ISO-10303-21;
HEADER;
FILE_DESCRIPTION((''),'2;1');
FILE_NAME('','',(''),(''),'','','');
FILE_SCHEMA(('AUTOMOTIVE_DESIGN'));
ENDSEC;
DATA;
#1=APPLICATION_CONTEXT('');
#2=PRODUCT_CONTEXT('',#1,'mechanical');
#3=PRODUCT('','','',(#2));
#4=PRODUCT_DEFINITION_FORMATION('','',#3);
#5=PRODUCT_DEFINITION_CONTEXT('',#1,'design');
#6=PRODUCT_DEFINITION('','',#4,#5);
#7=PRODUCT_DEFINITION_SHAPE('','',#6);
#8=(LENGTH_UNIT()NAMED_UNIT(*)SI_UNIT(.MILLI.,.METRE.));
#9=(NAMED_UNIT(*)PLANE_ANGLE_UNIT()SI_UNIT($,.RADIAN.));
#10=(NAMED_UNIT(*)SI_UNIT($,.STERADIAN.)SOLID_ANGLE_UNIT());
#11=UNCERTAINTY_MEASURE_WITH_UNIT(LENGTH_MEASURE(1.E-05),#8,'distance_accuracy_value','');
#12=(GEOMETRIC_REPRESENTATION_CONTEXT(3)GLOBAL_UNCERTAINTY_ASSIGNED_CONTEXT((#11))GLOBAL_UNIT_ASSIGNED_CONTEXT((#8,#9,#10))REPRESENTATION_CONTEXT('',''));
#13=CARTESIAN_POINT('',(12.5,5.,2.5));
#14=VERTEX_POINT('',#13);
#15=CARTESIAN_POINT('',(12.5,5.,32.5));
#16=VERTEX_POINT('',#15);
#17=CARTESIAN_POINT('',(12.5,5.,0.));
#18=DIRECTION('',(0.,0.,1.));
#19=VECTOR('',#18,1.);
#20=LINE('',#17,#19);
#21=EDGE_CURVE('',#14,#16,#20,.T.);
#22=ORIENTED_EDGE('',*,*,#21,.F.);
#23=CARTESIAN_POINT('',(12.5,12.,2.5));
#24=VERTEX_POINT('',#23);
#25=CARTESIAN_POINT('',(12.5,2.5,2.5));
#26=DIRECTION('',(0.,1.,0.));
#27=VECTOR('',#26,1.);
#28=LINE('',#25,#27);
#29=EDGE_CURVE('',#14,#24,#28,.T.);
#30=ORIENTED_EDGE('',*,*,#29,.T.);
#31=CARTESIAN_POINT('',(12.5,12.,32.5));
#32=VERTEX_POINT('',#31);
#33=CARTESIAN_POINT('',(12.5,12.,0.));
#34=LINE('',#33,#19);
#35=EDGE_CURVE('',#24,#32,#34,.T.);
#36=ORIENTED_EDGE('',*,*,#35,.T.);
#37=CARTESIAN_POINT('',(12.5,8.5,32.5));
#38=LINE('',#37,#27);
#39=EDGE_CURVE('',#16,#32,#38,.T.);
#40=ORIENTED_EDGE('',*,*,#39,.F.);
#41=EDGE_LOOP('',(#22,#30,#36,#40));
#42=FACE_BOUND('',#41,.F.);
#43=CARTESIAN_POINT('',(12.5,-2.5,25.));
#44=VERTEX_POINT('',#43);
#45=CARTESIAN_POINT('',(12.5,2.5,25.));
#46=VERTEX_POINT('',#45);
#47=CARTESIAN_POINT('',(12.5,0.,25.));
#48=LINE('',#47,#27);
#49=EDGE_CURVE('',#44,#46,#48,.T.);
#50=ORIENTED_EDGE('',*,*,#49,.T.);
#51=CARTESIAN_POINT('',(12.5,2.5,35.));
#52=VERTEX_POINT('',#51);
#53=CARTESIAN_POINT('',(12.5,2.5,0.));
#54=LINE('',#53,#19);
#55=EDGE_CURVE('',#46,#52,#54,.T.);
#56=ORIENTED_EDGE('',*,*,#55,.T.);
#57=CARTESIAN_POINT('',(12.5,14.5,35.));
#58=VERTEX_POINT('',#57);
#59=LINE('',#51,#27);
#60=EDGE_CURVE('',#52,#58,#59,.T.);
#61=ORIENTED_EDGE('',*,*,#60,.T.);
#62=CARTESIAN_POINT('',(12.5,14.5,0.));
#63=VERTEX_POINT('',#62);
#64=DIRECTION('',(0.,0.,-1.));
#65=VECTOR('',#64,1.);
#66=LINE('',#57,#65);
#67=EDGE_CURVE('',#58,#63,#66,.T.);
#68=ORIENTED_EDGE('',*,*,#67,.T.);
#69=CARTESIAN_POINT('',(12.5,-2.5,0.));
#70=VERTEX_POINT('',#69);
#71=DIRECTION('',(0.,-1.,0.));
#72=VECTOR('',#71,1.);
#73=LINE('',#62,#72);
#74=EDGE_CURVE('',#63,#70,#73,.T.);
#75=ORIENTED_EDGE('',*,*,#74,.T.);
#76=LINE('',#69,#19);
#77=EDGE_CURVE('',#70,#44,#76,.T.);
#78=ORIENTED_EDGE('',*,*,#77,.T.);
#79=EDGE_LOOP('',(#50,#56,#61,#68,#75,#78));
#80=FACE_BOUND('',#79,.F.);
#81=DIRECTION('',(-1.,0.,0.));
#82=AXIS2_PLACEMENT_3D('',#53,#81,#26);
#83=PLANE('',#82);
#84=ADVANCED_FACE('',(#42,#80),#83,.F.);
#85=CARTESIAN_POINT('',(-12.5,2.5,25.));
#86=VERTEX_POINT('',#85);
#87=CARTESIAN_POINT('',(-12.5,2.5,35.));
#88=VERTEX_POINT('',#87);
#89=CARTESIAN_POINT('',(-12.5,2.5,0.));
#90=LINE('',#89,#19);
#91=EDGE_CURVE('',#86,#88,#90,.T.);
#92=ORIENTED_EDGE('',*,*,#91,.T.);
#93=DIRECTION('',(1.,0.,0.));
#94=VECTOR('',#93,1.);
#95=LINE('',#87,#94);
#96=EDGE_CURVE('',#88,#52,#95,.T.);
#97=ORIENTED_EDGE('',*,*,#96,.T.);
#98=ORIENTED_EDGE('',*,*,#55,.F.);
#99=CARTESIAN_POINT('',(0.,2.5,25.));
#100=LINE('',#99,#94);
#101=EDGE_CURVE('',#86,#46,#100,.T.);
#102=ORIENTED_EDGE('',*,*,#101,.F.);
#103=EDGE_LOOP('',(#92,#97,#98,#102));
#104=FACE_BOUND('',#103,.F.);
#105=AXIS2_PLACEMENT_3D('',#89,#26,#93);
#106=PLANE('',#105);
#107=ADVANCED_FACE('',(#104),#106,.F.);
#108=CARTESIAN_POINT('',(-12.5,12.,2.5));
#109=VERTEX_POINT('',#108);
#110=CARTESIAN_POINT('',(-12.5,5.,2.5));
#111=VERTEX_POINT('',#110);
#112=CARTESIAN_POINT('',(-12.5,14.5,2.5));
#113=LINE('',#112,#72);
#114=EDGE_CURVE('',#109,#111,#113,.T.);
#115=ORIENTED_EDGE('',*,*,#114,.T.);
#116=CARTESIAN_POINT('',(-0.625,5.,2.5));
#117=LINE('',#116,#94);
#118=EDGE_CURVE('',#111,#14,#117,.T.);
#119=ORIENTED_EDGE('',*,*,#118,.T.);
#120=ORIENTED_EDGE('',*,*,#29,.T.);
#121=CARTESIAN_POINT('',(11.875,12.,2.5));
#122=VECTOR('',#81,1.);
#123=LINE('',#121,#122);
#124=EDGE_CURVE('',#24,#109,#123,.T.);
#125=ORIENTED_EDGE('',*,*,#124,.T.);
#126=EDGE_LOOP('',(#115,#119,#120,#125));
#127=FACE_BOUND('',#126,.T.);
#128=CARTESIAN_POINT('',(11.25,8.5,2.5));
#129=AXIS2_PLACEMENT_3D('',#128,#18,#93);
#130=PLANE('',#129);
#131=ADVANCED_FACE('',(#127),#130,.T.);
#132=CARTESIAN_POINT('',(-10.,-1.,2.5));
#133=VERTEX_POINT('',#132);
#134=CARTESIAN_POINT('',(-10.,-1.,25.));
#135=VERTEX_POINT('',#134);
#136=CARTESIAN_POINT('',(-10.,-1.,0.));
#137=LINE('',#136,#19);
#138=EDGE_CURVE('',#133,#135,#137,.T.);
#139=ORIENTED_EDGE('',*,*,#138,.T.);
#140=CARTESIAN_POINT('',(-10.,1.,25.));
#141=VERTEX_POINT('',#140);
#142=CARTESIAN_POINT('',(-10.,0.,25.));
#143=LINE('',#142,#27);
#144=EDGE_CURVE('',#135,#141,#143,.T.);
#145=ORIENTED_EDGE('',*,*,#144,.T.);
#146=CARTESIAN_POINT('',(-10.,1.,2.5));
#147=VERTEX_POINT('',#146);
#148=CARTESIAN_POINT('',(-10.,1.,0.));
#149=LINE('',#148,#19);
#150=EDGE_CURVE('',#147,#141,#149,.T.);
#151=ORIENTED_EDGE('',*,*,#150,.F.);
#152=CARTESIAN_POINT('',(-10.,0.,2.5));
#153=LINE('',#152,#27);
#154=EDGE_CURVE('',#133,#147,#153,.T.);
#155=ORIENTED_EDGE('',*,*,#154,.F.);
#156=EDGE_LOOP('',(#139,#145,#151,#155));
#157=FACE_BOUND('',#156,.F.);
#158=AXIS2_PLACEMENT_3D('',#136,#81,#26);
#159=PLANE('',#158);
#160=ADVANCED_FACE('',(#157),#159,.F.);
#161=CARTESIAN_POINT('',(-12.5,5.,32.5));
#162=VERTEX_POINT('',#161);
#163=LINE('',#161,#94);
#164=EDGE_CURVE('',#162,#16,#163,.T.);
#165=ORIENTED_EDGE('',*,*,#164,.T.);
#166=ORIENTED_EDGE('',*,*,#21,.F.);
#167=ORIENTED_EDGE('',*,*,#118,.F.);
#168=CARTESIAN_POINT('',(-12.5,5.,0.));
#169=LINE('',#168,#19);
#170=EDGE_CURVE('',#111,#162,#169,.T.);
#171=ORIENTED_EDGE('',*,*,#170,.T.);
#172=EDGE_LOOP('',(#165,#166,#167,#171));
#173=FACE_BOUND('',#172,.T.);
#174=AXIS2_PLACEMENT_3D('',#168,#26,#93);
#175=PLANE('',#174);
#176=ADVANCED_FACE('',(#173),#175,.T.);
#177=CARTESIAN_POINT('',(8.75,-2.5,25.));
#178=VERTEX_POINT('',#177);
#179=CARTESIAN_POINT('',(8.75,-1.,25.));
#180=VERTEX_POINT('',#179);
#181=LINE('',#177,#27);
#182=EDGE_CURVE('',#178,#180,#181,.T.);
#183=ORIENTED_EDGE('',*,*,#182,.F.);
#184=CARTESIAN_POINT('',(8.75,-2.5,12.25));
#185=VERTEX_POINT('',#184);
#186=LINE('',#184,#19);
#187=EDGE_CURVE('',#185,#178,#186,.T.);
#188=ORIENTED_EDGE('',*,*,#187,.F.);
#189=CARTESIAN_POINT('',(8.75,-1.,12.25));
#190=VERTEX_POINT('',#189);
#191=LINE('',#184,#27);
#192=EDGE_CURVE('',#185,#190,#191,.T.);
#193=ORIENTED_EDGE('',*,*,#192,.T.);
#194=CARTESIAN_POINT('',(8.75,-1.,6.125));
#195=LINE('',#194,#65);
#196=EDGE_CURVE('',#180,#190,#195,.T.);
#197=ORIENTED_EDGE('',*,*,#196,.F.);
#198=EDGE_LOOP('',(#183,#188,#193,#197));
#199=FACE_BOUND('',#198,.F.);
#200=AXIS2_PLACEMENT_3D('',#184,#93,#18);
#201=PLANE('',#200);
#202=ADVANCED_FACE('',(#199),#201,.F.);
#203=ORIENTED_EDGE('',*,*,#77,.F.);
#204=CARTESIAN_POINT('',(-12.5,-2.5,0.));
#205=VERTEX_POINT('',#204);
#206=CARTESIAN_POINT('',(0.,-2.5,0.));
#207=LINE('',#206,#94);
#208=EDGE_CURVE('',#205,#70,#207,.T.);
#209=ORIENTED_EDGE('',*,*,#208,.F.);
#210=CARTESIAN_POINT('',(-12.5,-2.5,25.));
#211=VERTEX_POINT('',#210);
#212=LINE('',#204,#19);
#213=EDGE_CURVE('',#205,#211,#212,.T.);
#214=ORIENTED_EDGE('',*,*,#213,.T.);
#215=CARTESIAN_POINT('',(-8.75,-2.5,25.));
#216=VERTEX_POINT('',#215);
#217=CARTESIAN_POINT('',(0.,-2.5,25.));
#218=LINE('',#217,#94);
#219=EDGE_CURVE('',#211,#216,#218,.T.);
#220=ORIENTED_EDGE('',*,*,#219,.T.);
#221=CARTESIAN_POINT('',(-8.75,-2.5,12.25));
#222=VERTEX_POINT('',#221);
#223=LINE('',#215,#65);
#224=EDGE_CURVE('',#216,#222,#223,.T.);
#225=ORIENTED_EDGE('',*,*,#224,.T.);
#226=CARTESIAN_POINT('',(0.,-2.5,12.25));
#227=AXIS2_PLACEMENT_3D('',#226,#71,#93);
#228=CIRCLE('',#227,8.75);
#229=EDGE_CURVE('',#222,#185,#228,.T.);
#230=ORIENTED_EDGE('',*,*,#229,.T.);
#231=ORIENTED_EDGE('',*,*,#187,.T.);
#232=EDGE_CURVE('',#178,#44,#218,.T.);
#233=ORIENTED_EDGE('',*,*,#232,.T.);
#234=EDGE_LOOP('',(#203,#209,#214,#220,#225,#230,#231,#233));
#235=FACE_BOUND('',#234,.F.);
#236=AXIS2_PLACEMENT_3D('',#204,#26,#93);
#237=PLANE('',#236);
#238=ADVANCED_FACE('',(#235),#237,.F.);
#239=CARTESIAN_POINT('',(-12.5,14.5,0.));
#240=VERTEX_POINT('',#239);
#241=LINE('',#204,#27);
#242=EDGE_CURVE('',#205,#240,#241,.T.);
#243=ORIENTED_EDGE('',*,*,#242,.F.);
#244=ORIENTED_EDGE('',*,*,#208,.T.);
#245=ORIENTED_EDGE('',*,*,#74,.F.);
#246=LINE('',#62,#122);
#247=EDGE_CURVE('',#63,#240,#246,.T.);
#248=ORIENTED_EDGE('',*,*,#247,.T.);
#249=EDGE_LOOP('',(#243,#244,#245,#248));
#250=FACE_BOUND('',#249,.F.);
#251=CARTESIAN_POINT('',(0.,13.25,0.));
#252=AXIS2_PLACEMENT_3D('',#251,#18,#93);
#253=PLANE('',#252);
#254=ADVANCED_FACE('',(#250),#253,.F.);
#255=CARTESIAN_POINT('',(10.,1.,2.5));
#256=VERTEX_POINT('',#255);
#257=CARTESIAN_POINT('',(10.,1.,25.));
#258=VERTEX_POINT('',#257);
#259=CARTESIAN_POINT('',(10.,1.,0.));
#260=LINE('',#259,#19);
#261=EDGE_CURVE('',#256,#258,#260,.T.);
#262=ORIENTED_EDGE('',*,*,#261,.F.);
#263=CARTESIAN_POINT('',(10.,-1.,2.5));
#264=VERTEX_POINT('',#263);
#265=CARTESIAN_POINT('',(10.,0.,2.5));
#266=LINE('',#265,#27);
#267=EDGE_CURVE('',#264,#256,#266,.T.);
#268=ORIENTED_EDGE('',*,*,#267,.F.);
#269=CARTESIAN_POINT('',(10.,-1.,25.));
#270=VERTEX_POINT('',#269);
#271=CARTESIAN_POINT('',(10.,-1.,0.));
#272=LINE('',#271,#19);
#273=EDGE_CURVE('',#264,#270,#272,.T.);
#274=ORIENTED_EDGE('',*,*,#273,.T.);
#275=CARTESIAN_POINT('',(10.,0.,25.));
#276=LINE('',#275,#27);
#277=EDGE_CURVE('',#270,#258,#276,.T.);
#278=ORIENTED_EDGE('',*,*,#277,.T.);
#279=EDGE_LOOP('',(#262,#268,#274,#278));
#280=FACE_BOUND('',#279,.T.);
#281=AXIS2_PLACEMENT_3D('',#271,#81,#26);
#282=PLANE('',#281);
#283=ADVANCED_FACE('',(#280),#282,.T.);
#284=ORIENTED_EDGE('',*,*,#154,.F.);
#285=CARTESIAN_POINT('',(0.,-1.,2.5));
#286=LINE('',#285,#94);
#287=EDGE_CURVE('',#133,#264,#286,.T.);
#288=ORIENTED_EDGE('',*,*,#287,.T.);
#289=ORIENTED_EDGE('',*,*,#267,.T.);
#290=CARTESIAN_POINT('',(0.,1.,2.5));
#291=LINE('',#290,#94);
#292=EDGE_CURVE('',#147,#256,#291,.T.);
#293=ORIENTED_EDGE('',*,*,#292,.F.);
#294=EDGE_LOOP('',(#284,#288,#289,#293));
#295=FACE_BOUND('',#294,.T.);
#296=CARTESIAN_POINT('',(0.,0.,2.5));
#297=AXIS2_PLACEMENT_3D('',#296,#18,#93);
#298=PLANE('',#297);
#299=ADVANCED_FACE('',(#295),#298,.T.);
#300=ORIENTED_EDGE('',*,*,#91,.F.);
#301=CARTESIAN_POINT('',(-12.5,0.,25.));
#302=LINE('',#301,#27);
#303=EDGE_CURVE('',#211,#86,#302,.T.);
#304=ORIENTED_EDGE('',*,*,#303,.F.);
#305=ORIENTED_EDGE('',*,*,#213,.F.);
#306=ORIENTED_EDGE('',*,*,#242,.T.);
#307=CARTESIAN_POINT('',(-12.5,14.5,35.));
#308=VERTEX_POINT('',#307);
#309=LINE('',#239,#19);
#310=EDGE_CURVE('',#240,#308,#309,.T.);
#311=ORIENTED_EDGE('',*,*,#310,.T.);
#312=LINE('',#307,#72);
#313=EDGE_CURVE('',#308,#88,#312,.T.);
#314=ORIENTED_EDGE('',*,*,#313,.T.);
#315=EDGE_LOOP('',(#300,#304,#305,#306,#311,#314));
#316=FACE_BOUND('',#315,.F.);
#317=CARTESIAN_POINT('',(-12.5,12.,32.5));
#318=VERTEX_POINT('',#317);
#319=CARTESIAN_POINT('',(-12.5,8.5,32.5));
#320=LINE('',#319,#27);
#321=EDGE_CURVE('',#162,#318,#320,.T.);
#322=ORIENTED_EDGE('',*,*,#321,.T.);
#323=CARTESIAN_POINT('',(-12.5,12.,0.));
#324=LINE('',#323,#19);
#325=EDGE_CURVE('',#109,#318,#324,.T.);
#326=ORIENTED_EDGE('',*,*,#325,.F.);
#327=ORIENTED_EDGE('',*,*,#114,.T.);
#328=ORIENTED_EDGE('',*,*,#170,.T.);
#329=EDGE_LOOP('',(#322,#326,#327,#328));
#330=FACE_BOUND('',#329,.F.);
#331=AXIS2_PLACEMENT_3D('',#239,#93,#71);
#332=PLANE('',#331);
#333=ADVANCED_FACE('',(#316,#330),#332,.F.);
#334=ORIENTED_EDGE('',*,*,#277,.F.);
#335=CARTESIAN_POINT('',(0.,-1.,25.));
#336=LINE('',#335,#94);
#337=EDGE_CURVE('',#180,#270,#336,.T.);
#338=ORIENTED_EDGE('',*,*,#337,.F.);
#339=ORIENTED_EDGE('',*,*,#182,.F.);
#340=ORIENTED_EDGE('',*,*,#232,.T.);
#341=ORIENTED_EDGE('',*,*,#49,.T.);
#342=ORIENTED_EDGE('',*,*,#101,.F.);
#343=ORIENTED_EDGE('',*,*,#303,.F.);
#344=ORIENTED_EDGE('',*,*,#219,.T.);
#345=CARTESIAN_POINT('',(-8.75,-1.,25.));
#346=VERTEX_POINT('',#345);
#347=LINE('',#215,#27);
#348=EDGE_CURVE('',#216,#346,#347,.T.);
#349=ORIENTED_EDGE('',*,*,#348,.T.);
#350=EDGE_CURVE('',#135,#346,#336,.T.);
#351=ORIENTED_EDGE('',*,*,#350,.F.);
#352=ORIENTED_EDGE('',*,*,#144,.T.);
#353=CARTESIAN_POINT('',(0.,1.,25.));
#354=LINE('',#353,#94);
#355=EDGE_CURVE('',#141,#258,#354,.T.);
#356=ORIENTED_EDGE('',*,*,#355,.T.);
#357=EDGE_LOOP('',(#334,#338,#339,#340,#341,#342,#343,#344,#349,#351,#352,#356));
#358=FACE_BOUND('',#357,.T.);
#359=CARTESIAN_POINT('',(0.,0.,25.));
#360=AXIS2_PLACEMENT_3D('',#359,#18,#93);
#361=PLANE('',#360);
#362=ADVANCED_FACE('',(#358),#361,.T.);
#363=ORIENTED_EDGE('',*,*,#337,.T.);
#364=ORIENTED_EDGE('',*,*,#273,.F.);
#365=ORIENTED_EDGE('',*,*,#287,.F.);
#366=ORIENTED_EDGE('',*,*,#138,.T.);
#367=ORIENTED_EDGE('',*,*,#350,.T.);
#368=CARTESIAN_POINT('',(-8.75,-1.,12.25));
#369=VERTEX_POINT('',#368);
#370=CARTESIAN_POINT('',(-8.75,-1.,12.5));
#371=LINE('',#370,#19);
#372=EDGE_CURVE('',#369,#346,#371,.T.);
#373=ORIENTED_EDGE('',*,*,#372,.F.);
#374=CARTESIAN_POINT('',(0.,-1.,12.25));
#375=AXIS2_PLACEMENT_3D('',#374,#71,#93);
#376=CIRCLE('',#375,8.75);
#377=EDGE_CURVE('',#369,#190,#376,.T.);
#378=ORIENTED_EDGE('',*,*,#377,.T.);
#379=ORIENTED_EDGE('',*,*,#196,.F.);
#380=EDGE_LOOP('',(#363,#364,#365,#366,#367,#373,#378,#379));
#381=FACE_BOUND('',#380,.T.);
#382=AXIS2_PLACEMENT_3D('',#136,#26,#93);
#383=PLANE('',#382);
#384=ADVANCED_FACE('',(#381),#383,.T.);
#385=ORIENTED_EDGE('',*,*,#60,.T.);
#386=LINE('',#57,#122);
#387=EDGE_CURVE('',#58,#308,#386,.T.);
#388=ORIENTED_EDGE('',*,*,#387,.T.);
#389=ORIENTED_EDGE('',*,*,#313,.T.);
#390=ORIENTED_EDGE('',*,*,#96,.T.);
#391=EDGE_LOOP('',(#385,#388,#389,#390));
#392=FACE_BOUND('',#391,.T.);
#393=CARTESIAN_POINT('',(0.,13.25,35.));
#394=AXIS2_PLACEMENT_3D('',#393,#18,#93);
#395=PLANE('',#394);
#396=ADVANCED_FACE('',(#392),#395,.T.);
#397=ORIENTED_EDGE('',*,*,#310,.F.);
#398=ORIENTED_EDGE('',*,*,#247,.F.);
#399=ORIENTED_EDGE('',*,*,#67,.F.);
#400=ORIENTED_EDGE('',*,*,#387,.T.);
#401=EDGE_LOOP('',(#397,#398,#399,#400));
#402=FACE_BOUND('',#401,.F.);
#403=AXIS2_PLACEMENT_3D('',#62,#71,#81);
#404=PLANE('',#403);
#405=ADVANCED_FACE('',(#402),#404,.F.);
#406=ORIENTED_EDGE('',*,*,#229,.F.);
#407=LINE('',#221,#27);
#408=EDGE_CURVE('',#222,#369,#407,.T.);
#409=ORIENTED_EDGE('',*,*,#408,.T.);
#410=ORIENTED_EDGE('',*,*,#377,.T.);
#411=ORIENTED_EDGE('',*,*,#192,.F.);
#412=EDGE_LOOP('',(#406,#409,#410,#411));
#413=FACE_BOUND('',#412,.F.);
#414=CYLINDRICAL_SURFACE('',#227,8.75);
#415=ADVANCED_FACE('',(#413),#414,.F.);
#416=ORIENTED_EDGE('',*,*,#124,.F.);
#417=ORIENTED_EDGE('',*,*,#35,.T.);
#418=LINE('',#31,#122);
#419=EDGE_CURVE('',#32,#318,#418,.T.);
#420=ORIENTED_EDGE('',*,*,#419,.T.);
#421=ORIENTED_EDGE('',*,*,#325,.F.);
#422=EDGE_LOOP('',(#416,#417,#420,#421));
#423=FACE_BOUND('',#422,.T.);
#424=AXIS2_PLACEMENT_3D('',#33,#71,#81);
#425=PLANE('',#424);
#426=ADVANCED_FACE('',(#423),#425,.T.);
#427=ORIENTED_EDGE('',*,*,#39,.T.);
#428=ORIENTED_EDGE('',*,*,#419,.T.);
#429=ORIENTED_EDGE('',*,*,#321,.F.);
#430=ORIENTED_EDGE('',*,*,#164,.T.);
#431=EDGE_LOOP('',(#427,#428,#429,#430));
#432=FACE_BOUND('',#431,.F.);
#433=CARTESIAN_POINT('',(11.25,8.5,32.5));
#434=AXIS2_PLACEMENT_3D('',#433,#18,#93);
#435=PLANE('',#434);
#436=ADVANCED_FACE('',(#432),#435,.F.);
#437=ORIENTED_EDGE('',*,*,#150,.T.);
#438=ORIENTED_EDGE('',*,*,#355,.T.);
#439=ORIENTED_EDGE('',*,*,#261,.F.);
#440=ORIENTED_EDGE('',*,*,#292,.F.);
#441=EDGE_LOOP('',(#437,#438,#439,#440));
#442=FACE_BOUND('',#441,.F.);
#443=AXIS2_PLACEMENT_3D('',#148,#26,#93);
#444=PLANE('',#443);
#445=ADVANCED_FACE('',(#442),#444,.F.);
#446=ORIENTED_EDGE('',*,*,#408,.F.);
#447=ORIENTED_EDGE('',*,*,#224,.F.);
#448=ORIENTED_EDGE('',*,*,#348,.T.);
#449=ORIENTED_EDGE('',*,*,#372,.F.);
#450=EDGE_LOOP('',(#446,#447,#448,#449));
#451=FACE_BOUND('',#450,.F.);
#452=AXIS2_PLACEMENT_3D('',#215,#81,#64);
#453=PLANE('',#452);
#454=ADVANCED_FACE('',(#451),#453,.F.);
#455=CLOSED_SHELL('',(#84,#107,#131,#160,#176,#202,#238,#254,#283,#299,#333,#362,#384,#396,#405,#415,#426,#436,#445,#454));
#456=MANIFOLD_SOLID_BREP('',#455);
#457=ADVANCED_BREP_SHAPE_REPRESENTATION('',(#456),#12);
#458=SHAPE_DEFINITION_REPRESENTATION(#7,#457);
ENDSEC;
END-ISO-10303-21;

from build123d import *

# Parameters (mm, degrees)
F0_W     = 20
F0_H     = 2
F1_DEPTH = 2.5
F0_W_2   = 25
F0_H_2   = 5
F2_DEPTH = 25
F4_DEPTH = 2.5
F0_W_3   = 2.5
F0_H_3   = 7
F5_DEPTH = 35
F6_DEPTH = 32.5
F7_DEPTH = 2.5


with BuildPart() as f1:
    # F0 (on Top) → F1 (new body)
    with BuildSketch(Plane.XY):
        Rectangle(F0_W, F0_H)
    extrude(amount=F1_DEPTH)

    # F0 (on Top) → F2 (join)
    with BuildSketch(Plane.XY):
        Rectangle(F0_W_2, F0_H_2)
        Rectangle(F0_W, F0_H, mode=Mode.SUBTRACT)
    extrude(amount=F2_DEPTH)

    # F3 (on face) → F4 (cut)
    with BuildSketch(Plane.XZ.offset(2.5)):
        with BuildLine():
            ThreePointArc((-8.75, 12.25), (0, 3.5), (8.75, 12.25))
            ThreePointArc((8.75, 12.25), (0, 21), (-8.75, 12.25))
        make_face()
        with BuildLine():
            ThreePointArc((-8.75, 12.25), (0, 21), (8.75, 12.25))
            Line((8.75, 12.25), (8.75, 25))
            Line((8.75, 25), (-8.75, 25))
            Line((-8.75, 25), (-8.75, 12.25))
        make_face()
    extrude(amount=-F4_DEPTH, mode=Mode.SUBTRACT)

    # F0 (on Top) → F5 (join)
    with BuildSketch(Plane.XY):
        Polygon((10, 12), (12.5, 12), (12.5, 14.5), (-12.5, 14.5), (-12.5, 12), (-10, 12), align=None)
        with Locations((-11.25, 8.5)):
            Rectangle(F0_W_3, F0_H_3)
        with Locations((0, 8.5)):
            Rectangle(F0_W, F0_H_3)
        Polygon((-12.5, 2.5), (12.5, 2.5), (12.5, 5), (10, 5), (-10, 5), (-12.5, 5), align=None)
        with Locations((11.25, 8.5)):
            Rectangle(F0_W_3, F0_H_3)
    extrude(amount=F5_DEPTH)

    # F0 (on Top) → F6 (cut)
    with BuildSketch(Plane.XY):
        with Locations((11.25, 8.5)):
            Rectangle(F0_W_3, F0_H_3)
        with Locations((0, 8.5)):
            Rectangle(F0_W, F0_H_3)
        with Locations((-11.25, 8.5)):
            Rectangle(F0_W_3, F0_H_3)
    extrude(amount=F6_DEPTH, mode=Mode.SUBTRACT)

    # F0 (on Top) → F7 (join)
    with BuildSketch(Plane.XY):
        with Locations((11.25, 8.5)):
            Rectangle(F0_W_3, F0_H_3)
        with Locations((0, 8.5)):
            Rectangle(F0_W, F0_H_3)
        with Locations((-11.25, 8.5)):
            Rectangle(F0_W_3, F0_H_3)
        Polygon((10, 12), (12.5, 12), (12.5, 14.5), (-12.5, 14.5), (-12.5, 12), (-10, 12), align=None)
        Polygon((-12.5, 2.5), (12.5, 2.5), (12.5, 5), (10, 5), (-10, 5), (-12.5, 5), align=None)
    extrude(amount=F7_DEPTH)


solid = f1.part
